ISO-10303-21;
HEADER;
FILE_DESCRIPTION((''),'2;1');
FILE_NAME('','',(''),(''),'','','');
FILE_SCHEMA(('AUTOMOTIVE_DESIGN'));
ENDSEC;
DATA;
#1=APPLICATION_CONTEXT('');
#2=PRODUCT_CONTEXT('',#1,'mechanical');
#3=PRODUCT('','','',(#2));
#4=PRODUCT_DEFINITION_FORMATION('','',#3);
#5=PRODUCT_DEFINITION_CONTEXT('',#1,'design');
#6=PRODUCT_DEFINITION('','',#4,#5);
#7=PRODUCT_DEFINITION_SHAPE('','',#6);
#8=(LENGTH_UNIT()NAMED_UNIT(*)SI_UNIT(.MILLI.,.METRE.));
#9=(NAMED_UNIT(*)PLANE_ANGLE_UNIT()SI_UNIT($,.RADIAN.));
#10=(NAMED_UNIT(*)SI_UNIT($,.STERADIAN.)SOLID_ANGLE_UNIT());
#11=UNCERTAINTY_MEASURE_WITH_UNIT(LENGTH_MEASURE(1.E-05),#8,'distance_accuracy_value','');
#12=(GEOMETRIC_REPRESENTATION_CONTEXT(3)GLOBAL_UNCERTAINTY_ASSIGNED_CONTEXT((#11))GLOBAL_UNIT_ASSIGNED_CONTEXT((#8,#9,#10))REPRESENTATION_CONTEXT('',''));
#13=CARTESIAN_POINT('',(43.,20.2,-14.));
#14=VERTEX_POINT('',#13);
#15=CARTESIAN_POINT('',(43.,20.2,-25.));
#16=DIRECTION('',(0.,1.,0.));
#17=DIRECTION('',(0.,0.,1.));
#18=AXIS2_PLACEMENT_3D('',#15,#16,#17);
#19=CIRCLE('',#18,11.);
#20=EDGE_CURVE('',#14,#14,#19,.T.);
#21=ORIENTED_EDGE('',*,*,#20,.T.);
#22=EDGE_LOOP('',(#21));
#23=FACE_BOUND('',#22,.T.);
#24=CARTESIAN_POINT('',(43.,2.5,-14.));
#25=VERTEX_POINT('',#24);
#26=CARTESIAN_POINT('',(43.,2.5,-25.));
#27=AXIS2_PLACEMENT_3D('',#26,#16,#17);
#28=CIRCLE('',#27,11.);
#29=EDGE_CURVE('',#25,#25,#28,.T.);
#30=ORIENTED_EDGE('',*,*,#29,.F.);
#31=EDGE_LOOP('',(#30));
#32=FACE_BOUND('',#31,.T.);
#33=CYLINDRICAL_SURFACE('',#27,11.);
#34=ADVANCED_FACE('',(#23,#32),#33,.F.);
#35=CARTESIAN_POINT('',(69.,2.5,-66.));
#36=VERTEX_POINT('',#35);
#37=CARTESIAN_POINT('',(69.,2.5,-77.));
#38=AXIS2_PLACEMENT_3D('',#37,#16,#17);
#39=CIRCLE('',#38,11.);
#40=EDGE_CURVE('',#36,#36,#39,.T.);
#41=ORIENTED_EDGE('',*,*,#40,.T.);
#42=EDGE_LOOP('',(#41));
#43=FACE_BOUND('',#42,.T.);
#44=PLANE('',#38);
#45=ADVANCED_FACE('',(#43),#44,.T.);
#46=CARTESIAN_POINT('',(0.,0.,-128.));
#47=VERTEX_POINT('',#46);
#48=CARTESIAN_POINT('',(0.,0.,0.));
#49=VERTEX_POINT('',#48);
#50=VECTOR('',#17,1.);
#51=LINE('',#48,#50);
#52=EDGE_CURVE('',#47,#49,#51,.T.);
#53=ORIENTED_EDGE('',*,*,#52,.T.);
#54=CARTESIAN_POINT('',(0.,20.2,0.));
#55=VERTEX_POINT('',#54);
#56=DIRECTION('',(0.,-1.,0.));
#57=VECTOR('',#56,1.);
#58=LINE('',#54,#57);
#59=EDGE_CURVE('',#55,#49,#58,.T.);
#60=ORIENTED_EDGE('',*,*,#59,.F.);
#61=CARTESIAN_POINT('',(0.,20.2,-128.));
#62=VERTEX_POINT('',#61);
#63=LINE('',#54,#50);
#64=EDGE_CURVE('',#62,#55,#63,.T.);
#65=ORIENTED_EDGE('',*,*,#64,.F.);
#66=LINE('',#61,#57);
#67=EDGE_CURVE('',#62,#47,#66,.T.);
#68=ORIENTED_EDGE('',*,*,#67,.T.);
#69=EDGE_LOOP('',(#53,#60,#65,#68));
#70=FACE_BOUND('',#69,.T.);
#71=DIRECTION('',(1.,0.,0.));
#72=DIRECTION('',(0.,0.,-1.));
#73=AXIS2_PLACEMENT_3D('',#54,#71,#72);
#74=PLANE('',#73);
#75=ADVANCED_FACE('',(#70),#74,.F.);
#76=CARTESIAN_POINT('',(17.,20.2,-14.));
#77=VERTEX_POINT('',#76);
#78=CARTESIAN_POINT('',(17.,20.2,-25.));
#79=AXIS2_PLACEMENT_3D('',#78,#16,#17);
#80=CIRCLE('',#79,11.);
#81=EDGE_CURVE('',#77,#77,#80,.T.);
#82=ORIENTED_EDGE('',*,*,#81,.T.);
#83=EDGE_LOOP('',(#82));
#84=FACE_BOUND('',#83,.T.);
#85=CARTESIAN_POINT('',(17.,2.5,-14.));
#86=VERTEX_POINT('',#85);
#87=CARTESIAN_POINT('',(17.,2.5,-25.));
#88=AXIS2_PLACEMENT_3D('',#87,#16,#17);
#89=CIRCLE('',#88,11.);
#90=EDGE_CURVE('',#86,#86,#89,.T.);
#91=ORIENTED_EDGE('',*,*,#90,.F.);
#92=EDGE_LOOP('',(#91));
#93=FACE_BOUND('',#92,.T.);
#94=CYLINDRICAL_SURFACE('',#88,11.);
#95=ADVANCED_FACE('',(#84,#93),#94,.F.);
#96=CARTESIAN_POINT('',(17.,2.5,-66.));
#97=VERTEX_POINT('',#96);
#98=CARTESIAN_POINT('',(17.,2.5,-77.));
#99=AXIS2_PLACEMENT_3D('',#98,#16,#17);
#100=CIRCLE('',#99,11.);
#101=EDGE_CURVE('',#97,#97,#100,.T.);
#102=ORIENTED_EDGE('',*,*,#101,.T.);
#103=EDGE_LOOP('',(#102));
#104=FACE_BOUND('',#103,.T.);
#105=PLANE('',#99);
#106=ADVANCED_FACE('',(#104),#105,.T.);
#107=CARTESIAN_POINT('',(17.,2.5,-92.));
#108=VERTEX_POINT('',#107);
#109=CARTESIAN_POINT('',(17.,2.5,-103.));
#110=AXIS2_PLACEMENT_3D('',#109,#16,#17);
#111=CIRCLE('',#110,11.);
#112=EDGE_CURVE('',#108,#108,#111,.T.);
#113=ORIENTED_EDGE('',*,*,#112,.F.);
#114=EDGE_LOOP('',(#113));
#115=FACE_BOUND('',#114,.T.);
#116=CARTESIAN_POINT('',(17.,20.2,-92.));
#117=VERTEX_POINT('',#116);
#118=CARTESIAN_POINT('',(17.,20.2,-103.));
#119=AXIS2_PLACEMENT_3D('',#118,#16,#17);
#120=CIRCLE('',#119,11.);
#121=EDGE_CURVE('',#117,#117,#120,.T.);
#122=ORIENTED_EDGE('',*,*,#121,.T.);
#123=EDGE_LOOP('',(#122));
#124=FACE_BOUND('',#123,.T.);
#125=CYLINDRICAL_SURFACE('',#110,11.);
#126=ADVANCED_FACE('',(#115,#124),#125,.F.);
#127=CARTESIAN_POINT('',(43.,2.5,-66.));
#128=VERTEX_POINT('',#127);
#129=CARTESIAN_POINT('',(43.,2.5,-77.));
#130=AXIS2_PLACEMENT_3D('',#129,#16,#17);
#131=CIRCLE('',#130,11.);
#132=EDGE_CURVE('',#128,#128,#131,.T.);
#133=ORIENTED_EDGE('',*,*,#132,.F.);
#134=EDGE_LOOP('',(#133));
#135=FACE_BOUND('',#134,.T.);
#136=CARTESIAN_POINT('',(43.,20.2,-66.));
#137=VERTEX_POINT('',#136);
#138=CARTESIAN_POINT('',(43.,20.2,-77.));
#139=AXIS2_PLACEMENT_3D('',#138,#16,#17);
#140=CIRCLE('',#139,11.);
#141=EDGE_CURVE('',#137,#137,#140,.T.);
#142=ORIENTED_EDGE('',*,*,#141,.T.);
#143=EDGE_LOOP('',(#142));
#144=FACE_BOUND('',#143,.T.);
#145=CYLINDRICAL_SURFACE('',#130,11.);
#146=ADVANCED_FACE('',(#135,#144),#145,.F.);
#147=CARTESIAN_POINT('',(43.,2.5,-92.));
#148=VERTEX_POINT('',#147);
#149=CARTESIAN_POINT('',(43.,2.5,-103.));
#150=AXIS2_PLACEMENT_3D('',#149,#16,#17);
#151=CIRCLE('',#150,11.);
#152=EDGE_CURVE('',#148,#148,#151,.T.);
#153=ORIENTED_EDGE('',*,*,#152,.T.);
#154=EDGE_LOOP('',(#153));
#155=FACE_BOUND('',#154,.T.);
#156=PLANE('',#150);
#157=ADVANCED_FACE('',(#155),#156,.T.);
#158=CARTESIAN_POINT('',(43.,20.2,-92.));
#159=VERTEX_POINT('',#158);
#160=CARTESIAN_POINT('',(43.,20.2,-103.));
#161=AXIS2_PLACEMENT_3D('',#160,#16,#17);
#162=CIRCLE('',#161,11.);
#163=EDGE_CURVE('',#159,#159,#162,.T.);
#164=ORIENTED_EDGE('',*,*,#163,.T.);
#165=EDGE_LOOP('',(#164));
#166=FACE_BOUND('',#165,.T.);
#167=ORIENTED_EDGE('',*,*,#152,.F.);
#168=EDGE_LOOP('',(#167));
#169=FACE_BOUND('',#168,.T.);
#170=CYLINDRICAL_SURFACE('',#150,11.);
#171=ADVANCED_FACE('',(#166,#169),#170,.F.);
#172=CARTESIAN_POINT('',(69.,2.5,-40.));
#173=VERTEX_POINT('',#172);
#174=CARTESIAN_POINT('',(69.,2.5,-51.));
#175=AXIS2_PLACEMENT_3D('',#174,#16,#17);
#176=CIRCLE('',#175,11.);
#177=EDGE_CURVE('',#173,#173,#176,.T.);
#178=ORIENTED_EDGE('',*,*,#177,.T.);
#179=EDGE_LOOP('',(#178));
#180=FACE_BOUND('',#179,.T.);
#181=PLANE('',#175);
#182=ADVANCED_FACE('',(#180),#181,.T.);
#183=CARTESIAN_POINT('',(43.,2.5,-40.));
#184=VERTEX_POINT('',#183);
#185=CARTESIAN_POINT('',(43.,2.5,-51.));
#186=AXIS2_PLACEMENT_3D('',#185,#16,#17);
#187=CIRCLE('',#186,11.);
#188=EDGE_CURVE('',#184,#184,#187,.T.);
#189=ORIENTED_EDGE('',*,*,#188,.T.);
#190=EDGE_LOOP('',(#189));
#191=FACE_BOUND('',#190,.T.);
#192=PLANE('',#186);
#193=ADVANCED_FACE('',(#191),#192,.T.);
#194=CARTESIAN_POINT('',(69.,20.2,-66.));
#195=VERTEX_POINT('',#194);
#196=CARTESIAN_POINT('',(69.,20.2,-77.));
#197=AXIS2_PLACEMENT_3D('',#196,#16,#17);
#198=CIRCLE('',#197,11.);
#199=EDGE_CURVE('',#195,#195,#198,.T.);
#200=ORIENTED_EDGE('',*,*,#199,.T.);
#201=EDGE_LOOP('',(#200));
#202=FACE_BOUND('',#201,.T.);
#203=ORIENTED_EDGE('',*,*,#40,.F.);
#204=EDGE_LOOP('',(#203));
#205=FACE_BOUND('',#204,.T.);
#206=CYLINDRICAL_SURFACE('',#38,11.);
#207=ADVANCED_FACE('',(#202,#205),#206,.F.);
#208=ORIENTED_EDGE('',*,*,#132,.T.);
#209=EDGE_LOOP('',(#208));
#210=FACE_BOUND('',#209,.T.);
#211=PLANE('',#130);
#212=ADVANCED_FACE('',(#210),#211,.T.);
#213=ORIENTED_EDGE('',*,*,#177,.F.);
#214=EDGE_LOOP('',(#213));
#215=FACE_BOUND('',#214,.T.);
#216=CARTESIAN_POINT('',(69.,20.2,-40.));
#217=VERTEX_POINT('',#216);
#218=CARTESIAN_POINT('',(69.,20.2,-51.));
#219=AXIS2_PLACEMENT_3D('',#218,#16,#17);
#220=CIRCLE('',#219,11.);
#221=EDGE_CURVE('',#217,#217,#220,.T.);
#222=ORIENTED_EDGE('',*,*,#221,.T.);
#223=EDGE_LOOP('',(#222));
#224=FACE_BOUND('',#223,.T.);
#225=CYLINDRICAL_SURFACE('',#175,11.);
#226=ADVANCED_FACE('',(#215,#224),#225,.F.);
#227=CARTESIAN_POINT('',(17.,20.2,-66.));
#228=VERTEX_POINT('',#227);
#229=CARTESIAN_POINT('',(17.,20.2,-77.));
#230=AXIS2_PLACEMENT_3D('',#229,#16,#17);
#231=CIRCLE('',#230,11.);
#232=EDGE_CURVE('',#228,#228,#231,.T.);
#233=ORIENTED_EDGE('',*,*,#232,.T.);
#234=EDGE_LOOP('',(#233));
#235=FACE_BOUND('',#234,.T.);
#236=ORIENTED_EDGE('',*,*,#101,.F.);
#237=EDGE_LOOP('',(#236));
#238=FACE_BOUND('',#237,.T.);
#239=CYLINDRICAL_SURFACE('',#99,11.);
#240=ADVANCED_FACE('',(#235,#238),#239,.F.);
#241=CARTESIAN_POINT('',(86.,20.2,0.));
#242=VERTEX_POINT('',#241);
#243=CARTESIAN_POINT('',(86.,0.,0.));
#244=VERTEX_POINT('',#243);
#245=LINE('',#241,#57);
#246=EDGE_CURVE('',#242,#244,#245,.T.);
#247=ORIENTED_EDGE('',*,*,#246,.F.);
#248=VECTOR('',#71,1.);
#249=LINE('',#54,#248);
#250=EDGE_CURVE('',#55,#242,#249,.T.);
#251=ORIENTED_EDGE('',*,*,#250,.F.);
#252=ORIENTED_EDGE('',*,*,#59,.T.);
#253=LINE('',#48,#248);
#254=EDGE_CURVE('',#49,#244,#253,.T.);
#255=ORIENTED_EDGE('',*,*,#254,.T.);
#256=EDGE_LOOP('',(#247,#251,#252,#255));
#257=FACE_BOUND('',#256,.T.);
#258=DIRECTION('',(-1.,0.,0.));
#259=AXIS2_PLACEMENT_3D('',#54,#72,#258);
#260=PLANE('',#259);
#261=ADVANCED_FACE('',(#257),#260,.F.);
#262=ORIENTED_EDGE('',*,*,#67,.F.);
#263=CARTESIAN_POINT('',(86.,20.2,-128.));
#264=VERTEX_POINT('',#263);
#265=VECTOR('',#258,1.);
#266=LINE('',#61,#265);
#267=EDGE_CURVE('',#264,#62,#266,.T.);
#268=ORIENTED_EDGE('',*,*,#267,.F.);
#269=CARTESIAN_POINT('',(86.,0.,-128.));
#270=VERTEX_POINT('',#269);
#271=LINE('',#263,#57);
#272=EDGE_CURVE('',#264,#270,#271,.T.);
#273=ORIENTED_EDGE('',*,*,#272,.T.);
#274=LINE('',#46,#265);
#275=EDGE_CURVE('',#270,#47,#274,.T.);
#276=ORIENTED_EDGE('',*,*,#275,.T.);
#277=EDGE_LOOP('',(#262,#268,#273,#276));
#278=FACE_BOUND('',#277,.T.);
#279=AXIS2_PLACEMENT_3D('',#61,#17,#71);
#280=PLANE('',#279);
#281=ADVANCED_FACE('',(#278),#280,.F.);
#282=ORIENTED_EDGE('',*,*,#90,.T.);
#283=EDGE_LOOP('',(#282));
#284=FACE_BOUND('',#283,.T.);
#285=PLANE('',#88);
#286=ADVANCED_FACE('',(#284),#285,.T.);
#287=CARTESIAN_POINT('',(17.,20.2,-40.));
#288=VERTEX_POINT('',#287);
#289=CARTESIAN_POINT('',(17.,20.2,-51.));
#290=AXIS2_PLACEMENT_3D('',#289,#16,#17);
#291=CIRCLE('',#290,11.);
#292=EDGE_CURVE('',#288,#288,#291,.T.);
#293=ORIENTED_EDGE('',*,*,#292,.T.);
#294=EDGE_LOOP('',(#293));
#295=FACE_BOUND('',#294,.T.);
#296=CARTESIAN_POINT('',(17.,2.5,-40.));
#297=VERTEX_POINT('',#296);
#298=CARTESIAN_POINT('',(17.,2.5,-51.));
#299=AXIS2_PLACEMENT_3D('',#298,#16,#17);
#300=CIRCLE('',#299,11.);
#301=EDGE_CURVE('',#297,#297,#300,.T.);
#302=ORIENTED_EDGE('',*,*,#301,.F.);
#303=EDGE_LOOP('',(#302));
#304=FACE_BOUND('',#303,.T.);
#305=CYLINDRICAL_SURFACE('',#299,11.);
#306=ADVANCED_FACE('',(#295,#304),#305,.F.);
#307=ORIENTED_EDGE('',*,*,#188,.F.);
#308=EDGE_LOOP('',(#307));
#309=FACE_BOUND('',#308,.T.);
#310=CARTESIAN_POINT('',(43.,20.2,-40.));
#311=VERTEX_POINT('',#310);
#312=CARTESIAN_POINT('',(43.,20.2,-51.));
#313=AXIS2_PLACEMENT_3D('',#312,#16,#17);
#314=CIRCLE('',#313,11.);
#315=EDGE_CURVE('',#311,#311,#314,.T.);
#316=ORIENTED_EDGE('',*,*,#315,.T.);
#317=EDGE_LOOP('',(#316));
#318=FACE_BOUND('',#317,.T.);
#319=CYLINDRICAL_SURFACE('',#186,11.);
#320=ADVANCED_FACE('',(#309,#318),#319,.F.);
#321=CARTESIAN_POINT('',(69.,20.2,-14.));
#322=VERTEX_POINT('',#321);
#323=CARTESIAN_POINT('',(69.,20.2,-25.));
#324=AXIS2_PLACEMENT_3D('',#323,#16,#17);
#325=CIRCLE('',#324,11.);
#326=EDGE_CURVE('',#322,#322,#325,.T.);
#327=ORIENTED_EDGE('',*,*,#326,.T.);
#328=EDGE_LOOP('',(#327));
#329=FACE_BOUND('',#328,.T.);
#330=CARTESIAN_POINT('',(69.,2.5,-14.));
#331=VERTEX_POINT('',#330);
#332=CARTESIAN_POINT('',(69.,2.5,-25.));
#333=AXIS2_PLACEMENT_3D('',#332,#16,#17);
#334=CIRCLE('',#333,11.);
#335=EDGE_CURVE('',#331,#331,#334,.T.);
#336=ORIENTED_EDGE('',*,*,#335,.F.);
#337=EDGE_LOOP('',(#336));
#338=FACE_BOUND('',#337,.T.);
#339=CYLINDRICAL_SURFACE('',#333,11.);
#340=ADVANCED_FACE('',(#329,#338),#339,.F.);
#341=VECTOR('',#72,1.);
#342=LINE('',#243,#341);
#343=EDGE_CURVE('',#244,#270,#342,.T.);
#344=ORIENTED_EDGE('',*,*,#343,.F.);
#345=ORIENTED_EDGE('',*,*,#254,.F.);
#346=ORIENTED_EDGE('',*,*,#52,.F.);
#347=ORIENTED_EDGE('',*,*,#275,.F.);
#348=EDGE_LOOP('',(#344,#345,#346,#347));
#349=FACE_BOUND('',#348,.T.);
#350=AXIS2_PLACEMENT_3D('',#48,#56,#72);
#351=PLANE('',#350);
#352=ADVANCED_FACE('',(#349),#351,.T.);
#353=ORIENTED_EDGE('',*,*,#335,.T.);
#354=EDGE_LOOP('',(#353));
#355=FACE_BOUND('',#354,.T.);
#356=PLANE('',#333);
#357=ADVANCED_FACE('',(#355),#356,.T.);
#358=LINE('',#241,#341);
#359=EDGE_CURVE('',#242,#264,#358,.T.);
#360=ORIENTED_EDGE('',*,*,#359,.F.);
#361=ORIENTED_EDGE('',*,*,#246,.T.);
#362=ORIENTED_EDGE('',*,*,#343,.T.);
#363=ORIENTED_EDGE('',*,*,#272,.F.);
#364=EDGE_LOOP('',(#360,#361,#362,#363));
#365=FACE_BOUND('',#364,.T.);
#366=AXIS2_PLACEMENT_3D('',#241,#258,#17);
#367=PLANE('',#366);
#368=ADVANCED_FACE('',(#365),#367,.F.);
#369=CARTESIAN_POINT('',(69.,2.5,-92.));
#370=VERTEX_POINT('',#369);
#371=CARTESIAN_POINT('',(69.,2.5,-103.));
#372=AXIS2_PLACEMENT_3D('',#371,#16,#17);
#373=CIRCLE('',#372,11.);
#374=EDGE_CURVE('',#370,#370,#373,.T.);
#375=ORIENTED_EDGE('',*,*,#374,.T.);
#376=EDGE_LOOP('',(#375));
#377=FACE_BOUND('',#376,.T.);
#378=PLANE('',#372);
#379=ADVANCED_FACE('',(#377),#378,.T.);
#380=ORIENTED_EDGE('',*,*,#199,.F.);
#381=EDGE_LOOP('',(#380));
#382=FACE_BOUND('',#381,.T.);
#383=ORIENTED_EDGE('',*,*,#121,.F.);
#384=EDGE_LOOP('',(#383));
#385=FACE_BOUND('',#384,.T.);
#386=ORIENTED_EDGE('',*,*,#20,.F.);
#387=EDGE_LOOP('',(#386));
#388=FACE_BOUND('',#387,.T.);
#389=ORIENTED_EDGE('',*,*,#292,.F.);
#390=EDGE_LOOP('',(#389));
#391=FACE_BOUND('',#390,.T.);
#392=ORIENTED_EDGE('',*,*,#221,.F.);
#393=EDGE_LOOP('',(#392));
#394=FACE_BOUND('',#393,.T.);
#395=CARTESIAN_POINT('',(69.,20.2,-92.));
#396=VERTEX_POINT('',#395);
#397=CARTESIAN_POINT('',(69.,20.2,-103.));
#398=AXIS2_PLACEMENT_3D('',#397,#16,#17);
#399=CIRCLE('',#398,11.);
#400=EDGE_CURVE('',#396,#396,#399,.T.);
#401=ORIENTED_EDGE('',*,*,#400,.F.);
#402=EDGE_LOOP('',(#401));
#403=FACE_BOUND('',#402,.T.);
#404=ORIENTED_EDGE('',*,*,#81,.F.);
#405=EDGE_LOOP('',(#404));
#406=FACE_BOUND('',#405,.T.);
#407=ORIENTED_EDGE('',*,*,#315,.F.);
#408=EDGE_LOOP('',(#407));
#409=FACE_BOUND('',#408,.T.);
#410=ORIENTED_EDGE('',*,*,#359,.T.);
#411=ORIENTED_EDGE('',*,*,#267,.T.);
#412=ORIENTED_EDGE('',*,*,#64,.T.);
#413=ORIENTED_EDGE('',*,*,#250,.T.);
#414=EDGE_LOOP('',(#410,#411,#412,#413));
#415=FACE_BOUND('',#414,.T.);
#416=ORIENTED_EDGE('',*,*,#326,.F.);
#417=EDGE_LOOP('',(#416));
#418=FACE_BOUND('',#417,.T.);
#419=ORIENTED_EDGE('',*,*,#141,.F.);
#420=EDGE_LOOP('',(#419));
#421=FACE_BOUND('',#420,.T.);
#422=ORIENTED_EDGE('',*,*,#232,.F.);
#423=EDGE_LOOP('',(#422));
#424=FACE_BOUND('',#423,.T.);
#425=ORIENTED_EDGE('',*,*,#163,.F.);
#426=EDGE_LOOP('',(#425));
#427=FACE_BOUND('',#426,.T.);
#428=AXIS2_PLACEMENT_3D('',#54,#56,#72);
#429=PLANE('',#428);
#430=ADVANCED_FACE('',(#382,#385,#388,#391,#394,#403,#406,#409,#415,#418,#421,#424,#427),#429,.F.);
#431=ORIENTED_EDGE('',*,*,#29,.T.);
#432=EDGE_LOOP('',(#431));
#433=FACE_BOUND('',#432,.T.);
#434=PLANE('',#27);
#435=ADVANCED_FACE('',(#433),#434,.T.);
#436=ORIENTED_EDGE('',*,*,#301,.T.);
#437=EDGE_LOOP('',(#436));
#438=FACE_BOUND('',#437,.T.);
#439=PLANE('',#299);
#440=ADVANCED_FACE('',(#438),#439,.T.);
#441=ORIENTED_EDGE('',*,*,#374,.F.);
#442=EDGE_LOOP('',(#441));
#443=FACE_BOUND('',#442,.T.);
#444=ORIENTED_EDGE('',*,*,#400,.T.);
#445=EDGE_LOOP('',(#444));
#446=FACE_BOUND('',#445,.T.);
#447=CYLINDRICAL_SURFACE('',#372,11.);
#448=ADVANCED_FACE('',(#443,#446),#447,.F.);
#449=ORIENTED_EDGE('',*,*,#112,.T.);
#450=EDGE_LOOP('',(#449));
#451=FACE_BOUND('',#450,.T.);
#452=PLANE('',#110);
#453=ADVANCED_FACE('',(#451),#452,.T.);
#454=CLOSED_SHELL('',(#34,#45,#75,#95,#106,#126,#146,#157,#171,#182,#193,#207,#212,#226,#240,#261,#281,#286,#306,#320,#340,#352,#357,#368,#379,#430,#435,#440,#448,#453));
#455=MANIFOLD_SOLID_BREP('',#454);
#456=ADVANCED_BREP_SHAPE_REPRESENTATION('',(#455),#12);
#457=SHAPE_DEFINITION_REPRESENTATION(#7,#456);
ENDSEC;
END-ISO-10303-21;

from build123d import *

# Parameters (mm, degrees)
SKETCH1_W            = 86
SKETCH1_H            = 128
BOSS_EXTRUDE1_DEPTH  = 20.2
SKETCH2_R            = 11
CUT_EXTRUDE1_DEPTH   = 17.7
LPATTERN3_COUNT      = 4
LPATTERN3_PITCH      = 26
LPATTERN3_COUNT_DIR2 = 3
LPATTERN3_PITCH_DIR2 = 26


with BuildPart() as part:
    # Sketch1 → Boss-Extrude1 (new body)
    with BuildSketch(Plane(origin=(0, 0, 0), x_dir=(1, 0, 0), z_dir=(0, 1, 0))):
        with Locations((43, 64)):
            Rectangle(SKETCH1_W, SKETCH1_H)
    extrude(amount=BOSS_EXTRUDE1_DEPTH)

    # Sketch2 → Cut-Extrude1 (cut)
    with BuildSketch(Plane(origin=(0, 20.2, 0), x_dir=(1, 0, 0), z_dir=(0, 1, 0))):
        with Locations((17, 25)):
            Circle(SKETCH2_R)
    cut_extrude1 = extrude(amount=-CUT_EXTRUDE1_DEPTH, mode=Mode.SUBTRACT)

    # LPattern3: Cut-Extrude1 4 × 3
    with Locations(*[(j * LPATTERN3_PITCH_DIR2, 0, -i * LPATTERN3_PITCH) for i in range(LPATTERN3_COUNT) for j in range(LPATTERN3_COUNT_DIR2) if (i, j) != (0, 0)]):
        add(cut_extrude1, mode=Mode.SUBTRACT)


solid = part.part
